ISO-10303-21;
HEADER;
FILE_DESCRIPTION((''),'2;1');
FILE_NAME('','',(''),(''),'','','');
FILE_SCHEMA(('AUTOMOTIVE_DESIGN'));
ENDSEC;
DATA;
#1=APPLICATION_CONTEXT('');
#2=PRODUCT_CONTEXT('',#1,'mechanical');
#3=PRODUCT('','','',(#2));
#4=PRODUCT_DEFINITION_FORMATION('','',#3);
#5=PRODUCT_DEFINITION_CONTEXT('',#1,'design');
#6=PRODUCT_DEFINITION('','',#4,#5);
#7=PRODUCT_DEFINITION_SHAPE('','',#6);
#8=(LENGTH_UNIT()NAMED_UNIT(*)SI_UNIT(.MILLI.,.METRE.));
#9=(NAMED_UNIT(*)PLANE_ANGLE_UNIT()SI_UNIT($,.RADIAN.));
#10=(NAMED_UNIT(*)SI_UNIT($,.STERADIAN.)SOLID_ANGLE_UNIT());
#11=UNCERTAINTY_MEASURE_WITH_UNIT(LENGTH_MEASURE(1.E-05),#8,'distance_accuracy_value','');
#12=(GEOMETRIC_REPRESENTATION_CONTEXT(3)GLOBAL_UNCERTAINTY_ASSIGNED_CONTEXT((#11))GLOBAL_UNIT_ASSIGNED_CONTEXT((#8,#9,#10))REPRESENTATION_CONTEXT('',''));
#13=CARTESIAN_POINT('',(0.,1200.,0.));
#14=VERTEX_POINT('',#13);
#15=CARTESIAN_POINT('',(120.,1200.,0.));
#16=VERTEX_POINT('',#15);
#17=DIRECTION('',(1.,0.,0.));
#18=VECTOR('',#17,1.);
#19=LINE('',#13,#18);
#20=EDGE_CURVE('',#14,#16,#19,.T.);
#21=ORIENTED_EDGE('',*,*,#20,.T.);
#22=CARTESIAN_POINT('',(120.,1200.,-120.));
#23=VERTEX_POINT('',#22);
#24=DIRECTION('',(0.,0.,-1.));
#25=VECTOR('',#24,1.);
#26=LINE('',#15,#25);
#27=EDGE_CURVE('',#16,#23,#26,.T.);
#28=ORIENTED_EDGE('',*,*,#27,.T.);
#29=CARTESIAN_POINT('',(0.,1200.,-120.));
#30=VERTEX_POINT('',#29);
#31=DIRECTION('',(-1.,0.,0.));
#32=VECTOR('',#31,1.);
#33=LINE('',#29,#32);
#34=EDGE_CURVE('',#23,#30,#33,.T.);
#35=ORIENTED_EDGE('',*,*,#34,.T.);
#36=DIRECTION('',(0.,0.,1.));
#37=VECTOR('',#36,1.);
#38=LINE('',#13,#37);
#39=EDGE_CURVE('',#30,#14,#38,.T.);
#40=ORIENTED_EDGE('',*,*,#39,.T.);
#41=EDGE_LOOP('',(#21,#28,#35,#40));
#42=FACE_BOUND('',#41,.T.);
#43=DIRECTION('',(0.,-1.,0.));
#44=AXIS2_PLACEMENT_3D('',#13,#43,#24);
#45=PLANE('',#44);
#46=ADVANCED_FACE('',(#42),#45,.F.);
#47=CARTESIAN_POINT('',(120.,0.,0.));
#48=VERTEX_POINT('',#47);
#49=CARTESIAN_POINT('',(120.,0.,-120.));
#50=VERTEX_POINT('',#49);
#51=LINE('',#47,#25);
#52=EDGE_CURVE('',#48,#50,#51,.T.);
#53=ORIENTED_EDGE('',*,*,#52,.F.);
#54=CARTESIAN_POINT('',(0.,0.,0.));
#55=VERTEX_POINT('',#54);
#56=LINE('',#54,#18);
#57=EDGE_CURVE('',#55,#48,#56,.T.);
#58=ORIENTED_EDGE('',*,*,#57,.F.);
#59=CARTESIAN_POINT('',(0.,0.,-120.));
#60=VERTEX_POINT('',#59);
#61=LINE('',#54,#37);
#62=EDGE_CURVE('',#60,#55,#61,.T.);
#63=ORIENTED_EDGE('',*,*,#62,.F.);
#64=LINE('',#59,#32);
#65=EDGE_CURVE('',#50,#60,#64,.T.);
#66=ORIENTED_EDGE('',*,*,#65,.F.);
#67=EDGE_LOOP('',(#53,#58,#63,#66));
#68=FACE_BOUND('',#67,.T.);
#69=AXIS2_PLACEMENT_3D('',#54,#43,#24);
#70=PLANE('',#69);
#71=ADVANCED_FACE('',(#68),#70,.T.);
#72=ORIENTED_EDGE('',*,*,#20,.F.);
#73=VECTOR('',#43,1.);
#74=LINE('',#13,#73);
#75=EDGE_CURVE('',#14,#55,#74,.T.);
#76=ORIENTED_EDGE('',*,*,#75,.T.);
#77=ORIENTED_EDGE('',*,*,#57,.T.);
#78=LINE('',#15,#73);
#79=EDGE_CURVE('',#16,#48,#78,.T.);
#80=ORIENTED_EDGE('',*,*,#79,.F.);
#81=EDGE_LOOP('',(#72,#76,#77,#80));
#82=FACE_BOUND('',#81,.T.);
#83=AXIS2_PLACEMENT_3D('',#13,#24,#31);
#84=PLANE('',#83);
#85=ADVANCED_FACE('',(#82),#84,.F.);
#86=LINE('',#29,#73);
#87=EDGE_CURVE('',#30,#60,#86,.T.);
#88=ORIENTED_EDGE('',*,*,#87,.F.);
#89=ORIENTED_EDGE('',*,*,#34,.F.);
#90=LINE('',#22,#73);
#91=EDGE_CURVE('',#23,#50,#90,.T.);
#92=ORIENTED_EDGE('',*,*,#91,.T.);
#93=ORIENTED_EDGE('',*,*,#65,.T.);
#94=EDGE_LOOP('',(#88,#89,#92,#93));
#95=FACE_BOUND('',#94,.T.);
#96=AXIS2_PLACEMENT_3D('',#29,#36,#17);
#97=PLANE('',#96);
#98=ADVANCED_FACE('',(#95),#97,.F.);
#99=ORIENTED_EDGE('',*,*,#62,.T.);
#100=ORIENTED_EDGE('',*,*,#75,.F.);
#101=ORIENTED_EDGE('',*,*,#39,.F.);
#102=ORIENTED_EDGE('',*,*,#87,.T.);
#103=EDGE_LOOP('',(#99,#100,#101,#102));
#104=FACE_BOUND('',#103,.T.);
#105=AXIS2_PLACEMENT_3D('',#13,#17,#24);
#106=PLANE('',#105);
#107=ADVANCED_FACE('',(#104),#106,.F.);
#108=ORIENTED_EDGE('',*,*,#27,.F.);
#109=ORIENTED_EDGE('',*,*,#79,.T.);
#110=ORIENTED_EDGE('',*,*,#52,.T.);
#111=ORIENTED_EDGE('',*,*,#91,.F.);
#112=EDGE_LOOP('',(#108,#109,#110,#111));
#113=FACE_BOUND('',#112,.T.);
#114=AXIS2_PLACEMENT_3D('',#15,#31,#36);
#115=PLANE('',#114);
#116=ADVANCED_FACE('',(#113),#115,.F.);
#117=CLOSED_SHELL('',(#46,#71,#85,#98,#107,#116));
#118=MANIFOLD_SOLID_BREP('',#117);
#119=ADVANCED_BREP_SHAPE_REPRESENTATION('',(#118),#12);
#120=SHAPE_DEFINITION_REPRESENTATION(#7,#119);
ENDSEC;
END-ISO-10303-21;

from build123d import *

# Parameters (mm, degrees)
SKETCH_1_W      = 120
SKETCH_1_H      = 120
EXTRUDE_1_DEPTH = 1200


with BuildPart() as part:
    # Эскиз1 → Бобышка-Вытянуть1 (new body)
    with BuildSketch(Plane(origin=(0, 0, 0), x_dir=(1, 0, 0), z_dir=(0, 1, 0))):
        with Locations((60, 60)):
            Rectangle(SKETCH_1_W, SKETCH_1_H)
    extrude(amount=EXTRUDE_1_DEPTH)


solid = part.part
